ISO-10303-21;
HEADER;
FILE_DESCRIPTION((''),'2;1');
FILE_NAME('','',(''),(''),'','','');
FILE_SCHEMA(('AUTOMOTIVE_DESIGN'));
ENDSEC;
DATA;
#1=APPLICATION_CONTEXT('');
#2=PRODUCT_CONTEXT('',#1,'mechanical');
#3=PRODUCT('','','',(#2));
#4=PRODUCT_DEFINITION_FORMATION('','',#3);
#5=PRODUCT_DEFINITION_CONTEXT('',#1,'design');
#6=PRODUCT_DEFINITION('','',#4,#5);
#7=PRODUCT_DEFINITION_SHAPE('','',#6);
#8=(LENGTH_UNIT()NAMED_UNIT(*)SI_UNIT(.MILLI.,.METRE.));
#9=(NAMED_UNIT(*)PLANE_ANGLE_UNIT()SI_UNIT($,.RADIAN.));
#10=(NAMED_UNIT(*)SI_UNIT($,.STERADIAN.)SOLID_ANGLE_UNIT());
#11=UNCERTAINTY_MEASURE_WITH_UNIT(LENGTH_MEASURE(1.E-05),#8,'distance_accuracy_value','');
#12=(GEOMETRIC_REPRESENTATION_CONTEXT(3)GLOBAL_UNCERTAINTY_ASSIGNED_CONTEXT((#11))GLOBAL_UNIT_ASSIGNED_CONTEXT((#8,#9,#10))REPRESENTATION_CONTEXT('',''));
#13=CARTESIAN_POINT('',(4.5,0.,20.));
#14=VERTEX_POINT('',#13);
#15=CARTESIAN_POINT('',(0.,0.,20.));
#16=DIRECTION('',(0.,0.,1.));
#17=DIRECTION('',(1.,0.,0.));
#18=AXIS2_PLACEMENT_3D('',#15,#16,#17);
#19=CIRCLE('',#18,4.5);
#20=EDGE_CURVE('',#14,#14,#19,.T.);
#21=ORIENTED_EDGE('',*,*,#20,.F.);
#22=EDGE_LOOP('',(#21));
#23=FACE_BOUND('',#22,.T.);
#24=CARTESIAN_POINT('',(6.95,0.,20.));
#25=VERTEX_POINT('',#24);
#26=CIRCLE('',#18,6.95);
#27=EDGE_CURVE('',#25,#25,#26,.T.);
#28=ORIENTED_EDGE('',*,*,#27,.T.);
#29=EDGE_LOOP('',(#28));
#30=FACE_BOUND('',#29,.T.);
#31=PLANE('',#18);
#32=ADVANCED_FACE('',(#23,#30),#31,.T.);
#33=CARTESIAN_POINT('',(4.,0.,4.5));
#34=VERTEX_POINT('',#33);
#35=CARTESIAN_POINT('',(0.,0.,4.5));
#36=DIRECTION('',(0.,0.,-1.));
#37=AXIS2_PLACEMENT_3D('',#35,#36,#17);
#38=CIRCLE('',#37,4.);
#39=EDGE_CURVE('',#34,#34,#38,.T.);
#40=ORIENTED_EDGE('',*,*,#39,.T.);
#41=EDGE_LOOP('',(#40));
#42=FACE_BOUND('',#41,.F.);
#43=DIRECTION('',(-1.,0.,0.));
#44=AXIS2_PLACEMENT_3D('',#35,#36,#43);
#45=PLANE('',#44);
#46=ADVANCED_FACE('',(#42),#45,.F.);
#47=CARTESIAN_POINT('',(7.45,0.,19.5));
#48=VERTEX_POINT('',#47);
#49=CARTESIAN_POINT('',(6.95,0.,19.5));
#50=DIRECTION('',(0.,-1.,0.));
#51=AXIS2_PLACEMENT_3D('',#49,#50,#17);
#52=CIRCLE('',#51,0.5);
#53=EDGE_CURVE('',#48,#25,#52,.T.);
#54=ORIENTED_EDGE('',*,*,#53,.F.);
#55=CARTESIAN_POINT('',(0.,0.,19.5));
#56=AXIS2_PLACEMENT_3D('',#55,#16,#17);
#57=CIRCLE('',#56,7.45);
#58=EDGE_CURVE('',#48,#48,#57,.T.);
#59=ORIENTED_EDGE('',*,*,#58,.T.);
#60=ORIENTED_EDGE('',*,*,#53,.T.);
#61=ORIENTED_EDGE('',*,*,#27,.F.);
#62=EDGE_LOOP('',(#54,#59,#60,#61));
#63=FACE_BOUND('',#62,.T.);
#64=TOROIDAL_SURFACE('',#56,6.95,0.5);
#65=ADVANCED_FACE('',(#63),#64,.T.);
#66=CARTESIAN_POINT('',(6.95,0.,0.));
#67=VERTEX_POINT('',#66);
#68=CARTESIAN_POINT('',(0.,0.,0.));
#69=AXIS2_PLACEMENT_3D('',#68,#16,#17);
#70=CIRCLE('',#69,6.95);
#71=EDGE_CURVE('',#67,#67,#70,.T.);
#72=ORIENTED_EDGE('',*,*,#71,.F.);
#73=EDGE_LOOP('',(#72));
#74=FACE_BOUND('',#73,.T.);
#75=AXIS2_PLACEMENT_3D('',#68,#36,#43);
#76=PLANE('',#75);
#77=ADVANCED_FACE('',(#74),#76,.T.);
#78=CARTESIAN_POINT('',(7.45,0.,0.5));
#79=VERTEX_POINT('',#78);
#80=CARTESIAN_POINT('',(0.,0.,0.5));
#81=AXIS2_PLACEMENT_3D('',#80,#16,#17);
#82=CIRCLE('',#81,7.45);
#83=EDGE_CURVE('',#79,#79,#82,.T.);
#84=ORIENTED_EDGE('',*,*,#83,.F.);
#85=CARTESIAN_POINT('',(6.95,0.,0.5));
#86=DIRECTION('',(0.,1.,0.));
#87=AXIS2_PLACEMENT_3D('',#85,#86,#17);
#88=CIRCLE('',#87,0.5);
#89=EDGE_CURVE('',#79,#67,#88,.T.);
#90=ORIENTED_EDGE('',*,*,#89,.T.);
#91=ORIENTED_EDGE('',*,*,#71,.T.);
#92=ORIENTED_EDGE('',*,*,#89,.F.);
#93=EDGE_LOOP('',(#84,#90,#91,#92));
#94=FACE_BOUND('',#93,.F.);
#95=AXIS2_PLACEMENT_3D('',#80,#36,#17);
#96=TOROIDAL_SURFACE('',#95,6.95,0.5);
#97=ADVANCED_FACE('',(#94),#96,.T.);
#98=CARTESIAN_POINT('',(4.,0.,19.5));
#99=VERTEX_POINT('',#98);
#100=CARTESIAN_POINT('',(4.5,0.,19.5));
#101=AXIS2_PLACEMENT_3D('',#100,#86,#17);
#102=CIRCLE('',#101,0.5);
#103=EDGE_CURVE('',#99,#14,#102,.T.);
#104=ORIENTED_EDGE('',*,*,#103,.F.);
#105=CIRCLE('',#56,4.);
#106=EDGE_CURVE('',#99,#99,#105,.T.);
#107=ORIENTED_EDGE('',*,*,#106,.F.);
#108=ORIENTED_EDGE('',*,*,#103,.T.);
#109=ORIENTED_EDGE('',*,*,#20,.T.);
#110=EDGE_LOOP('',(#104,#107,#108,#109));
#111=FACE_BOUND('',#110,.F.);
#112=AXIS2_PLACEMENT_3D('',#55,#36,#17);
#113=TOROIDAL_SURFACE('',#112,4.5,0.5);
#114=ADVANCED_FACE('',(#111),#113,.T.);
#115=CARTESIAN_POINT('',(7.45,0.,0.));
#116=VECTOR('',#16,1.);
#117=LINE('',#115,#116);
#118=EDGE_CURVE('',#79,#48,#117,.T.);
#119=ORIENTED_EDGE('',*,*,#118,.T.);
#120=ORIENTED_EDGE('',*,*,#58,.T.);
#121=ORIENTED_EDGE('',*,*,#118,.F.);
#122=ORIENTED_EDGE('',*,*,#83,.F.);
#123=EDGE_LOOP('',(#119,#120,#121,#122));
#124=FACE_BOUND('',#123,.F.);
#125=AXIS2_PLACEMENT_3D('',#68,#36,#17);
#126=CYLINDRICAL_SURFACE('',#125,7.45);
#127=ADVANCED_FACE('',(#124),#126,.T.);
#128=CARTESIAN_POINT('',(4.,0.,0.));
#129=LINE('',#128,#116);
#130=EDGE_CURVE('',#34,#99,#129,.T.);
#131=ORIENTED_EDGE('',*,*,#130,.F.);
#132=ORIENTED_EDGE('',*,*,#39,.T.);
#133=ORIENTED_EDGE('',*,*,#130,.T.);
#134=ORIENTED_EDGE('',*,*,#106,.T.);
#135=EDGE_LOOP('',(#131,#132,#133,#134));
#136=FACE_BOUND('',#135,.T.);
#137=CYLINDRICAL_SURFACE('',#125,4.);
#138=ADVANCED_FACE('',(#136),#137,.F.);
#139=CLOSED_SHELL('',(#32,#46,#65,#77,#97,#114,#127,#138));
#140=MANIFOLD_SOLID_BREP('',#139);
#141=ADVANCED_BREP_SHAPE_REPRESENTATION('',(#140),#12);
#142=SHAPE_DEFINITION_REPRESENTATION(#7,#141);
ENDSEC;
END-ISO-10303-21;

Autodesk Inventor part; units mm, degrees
ref_plane "YZ Plane" through (0, 0, 0) normal (1, 0, 0) x (0, 1, 0)
ref_plane "XZ Plane" through (0, 0, 0) normal (0, 1, 0) x (-1, 0, 0)
ref_plane "XY Plane" through (0, 0, 0) normal (0, 0, 1) x (1, 0, 0)
sketch "Sketch1" plane through (0, 0, 0) normal (0, 0, 1) x (1, 0, 0)
  circle A0 centre (0, 0) radius 7.45
  circle A1 centre (0, 0) radius 4
  dimension "d0" = 14.9
  dimension "d3" = 8
extrude "Extrusion2" add sketch "Sketch1" along normal blind 20
fillet "Fillet1" radius 0.5 3 edges at (-7.45, 0, 0) (-7.45, 0, 20) (-4, 0, 20)
sketch "Sketch2" plane through (0, 0, 0) normal (0, 0, -1) x (-1, 0, 0)
  circle A0 centre (0, 0) radius 4 projected
  circle A1 centre (0, 0) radius 6.95 projected
  circle A2 centre (0, 0) radius 4
extrude "Extrusion3" add sketch "Sketch2" against normal blind 4.5 contours A0
properties part number "V5 Z Spacer"
